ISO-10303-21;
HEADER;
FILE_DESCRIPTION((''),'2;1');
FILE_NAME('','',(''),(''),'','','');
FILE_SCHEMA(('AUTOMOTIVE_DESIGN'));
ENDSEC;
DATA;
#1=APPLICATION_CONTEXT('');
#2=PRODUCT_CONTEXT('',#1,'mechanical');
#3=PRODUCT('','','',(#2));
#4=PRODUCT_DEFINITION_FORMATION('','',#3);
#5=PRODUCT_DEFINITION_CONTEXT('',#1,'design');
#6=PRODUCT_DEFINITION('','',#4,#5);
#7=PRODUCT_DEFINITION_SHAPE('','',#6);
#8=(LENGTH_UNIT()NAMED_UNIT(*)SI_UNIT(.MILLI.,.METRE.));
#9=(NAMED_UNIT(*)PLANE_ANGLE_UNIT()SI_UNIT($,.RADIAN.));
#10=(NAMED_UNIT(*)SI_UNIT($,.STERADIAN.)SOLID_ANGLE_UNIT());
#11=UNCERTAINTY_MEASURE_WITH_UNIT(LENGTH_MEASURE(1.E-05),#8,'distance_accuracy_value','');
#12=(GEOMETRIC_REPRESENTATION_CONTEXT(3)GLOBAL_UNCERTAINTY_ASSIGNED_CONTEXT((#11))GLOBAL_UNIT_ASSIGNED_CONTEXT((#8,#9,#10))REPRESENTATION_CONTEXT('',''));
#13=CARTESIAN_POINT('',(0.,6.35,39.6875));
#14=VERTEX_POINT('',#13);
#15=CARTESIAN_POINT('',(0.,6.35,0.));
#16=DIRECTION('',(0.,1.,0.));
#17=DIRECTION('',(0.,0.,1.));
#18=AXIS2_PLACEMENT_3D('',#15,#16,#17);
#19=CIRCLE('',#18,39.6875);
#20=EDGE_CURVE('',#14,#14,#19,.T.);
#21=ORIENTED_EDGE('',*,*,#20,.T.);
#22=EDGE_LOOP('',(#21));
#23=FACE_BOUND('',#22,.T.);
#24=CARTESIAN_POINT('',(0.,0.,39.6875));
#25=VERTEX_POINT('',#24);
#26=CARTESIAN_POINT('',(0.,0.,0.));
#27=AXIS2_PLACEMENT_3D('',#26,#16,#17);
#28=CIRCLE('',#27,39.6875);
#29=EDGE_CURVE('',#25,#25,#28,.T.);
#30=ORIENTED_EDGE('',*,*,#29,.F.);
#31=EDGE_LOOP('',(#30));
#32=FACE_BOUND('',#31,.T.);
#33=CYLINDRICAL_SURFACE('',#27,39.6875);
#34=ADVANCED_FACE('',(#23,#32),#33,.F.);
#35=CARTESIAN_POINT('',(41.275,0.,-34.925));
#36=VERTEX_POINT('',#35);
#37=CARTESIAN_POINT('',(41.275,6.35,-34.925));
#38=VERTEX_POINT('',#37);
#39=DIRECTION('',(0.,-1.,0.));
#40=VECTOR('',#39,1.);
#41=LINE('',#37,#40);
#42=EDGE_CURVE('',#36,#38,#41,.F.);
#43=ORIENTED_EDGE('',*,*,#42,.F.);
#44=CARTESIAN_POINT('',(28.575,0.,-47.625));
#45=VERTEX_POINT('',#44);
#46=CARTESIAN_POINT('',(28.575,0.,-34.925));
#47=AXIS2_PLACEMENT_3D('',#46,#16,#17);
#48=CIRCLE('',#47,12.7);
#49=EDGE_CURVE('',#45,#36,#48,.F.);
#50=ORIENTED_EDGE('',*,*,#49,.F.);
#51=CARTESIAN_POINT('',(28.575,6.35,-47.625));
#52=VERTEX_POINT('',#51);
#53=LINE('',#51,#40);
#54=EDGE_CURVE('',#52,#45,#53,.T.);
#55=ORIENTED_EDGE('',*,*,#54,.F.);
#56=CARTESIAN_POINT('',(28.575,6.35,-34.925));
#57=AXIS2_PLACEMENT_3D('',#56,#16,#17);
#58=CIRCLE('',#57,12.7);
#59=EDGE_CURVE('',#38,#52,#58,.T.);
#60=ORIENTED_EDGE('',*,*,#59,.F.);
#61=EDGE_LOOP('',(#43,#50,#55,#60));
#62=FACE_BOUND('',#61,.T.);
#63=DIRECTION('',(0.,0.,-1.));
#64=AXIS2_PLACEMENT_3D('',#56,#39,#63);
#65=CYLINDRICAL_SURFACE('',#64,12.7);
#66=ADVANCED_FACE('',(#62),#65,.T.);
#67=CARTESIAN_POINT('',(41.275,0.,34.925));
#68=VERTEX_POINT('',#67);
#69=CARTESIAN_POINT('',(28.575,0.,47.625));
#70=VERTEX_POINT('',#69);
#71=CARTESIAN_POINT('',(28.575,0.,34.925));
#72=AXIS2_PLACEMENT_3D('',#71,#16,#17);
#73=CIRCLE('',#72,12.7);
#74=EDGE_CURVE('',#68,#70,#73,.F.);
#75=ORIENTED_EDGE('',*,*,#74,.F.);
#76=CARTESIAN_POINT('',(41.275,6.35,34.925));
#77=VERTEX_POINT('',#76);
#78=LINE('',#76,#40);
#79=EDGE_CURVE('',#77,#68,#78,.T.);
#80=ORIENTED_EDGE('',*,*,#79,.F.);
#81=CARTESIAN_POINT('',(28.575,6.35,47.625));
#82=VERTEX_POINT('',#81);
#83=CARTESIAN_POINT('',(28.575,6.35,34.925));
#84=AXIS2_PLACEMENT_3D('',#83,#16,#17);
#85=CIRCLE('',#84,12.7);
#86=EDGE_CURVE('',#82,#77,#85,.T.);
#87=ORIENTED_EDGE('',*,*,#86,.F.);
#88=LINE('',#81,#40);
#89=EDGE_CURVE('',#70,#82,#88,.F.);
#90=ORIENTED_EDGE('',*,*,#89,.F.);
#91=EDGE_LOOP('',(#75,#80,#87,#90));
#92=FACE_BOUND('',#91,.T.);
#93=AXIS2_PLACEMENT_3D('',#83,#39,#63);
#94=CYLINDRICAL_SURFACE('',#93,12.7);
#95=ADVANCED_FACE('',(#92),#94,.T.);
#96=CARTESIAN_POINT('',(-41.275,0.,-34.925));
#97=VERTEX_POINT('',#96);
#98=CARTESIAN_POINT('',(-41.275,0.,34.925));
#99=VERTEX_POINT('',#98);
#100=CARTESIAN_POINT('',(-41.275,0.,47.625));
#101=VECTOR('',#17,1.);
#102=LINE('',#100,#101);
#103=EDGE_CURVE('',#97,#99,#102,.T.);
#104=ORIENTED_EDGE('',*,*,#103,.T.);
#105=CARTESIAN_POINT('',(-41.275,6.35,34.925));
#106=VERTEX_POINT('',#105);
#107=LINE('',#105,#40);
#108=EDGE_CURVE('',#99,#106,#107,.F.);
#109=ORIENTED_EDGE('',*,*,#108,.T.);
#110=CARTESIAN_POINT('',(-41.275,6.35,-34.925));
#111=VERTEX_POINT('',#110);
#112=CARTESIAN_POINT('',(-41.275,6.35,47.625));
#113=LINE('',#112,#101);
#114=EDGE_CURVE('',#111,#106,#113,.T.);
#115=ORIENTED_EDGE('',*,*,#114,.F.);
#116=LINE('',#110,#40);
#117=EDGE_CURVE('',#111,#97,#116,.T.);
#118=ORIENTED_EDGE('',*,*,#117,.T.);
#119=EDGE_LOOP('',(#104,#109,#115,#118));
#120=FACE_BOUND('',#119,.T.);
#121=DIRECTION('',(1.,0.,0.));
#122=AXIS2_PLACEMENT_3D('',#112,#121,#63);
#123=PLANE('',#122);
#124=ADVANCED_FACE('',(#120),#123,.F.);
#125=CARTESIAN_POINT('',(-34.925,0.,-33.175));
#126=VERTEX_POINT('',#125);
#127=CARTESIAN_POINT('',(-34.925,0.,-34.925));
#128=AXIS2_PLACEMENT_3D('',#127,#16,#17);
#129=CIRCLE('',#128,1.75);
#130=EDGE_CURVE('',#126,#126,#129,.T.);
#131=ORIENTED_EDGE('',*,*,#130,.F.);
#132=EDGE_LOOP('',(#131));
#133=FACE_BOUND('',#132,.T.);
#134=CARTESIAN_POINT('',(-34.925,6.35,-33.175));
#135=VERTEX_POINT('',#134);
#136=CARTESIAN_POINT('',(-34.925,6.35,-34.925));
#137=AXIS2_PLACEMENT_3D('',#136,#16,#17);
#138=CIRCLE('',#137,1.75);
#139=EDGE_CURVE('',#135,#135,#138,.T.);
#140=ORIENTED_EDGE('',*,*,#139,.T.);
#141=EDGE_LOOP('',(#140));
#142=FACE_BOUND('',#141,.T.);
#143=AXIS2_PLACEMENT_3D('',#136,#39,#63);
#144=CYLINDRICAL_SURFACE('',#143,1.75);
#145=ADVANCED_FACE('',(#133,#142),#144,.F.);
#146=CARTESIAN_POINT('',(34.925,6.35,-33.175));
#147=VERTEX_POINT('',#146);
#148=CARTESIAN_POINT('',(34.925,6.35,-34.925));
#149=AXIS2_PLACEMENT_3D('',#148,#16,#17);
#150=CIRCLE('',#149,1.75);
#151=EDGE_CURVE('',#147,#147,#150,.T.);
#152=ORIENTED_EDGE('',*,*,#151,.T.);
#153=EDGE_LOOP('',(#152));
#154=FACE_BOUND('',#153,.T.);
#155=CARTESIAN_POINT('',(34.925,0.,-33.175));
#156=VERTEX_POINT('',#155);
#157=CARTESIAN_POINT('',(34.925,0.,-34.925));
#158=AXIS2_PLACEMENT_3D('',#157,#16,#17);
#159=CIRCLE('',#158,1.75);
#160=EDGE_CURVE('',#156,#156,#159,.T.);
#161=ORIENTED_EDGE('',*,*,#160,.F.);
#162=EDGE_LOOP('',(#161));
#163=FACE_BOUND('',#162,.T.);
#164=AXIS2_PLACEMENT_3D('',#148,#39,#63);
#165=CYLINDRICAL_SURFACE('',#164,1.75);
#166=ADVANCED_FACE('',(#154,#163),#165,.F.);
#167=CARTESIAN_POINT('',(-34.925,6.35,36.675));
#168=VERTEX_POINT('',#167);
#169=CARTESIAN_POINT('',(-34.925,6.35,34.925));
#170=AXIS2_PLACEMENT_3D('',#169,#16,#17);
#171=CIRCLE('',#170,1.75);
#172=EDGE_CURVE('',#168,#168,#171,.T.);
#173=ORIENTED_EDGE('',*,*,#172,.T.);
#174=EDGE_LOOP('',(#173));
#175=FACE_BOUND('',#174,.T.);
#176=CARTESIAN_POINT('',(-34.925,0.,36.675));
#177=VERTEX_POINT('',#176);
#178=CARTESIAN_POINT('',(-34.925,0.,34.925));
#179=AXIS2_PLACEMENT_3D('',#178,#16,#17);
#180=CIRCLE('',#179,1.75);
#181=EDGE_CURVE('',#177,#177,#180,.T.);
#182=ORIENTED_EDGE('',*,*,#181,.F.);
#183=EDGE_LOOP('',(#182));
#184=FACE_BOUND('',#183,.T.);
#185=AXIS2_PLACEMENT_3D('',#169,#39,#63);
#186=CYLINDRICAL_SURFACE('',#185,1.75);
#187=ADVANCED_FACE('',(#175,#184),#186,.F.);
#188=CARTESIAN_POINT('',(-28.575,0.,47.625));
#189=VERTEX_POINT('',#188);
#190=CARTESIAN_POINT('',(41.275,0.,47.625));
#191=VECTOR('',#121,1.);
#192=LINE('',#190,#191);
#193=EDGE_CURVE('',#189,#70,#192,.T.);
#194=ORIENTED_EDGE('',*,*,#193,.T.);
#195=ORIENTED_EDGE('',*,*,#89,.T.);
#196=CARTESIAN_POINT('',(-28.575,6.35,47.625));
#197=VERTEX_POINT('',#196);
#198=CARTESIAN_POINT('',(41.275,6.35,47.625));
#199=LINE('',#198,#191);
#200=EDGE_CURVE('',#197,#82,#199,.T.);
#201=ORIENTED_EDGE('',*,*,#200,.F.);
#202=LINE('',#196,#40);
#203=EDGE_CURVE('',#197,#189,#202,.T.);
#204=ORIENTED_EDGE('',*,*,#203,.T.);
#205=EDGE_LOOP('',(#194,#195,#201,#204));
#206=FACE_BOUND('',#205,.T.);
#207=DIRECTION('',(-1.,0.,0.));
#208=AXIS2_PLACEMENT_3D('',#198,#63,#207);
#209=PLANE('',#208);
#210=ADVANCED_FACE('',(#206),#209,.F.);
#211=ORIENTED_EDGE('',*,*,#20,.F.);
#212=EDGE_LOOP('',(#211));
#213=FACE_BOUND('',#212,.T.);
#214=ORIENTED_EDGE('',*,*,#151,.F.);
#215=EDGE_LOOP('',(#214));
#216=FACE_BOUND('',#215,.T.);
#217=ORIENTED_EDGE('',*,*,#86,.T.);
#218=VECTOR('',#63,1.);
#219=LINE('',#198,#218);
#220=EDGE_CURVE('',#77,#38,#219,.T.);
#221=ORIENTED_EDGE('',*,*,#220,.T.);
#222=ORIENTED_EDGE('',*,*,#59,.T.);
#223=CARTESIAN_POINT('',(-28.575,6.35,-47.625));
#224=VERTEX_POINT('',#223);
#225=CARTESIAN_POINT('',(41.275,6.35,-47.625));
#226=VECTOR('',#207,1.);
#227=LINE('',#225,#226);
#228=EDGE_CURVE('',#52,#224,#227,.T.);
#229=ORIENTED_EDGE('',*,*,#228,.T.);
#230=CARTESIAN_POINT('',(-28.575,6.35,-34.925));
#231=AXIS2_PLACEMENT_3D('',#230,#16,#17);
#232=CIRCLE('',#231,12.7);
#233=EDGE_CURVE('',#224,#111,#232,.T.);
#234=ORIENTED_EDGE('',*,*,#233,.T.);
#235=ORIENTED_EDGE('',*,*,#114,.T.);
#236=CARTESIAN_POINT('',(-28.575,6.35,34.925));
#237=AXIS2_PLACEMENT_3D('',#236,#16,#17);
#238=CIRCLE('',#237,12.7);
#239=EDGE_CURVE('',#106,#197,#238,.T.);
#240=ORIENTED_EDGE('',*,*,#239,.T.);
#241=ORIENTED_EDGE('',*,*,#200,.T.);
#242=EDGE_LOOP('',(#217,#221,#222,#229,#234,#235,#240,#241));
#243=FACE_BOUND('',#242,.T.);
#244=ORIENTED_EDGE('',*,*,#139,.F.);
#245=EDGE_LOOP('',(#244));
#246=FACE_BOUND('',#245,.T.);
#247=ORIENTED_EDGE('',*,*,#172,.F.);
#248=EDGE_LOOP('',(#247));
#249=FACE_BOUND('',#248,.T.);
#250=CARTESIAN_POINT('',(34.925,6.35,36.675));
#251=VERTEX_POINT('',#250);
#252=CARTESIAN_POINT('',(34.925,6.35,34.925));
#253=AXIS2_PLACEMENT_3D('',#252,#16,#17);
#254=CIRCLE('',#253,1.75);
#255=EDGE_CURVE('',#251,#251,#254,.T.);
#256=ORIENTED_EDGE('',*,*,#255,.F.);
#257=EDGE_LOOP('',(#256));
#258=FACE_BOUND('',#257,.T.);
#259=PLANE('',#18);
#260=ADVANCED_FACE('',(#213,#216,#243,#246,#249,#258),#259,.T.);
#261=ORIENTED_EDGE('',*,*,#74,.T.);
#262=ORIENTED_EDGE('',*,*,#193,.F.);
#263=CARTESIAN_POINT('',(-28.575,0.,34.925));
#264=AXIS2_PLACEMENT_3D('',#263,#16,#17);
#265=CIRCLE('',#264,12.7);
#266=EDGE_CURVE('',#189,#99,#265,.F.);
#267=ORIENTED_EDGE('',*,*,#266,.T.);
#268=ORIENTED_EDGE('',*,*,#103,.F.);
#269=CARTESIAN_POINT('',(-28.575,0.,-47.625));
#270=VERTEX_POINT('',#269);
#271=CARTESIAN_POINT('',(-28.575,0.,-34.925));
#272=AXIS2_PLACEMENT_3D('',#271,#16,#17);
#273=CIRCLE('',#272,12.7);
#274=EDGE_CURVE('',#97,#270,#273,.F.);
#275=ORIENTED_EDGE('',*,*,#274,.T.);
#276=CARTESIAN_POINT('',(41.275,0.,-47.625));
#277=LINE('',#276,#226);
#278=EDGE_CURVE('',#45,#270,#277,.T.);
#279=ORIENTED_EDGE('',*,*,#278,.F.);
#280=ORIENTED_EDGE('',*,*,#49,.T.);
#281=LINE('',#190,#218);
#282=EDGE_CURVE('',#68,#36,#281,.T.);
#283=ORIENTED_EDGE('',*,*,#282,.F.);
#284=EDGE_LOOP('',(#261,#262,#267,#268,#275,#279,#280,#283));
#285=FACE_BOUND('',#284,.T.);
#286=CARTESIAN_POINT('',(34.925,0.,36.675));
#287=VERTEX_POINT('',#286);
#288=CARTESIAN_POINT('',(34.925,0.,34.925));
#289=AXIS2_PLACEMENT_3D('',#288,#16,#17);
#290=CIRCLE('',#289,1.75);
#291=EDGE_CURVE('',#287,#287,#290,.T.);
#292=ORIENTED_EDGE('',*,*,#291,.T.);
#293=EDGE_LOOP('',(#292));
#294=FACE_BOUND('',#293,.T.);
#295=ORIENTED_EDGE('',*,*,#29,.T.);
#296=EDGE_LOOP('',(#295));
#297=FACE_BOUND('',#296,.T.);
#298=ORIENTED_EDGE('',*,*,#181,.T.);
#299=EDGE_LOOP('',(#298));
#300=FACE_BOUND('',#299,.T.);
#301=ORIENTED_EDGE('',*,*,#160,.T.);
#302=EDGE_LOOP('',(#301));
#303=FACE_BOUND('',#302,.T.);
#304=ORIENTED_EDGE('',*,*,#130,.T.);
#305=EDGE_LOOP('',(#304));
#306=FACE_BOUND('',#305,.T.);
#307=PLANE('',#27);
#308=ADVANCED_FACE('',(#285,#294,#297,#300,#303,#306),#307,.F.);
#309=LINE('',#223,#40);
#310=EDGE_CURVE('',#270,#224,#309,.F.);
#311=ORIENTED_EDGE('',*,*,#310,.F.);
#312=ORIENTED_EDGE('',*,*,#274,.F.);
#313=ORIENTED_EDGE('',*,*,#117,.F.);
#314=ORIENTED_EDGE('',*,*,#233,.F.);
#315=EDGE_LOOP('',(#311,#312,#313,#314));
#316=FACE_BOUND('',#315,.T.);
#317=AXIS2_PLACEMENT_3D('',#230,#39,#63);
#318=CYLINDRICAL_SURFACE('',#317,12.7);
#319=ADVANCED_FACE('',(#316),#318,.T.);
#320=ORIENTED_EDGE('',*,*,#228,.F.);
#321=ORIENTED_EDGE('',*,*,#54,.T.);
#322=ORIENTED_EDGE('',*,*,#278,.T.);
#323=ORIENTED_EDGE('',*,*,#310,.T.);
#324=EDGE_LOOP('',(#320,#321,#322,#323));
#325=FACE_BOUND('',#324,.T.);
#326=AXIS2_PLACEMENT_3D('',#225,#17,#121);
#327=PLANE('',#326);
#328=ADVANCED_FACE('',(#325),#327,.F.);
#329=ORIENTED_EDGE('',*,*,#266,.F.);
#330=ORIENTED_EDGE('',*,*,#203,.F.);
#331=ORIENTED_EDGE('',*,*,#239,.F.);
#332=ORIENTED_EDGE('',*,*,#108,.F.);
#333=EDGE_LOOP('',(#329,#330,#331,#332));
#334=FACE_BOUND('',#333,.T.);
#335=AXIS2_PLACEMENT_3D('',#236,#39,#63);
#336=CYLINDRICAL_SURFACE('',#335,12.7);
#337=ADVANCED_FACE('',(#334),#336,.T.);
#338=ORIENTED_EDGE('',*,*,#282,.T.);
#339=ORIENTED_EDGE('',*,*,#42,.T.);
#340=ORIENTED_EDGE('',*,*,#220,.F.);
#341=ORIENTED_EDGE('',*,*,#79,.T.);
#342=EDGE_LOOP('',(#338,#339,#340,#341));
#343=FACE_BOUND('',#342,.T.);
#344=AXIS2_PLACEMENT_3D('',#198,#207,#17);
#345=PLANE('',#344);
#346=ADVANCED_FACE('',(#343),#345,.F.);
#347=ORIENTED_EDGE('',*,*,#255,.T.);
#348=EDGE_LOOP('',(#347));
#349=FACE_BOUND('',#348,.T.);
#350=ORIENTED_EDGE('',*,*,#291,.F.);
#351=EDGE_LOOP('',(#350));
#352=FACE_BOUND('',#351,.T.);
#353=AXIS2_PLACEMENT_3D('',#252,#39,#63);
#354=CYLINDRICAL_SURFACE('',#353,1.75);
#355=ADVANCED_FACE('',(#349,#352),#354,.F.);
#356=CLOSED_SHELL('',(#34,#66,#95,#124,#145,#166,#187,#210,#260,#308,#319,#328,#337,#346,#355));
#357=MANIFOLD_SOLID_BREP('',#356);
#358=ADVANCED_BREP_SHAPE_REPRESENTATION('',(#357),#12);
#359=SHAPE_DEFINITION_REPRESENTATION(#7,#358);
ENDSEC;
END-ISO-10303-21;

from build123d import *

# Parameters (mm, degrees)
SKETCH1_W           = 82.55
SKETCH1_H           = 95.25
SKETCH1_R           = 38.1
SKETCH1_R_2         = 1.75
BOSS_EXTRUDE1_DEPTH = 6.35
FILLET1_R           = 12.7
SKETCH2_R           = 39.6875
SKETCH2_R_2         = 38.1
CUT_EXTRUDE1_DEPTH  = 7.35


with BuildPart() as part:
    # Sketch1 → Boss-Extrude1 (new body)
    with BuildSketch(Plane(origin=(0, 0, 0), x_dir=(1, 0, 0), z_dir=(0, 1, 0))):
        Rectangle(SKETCH1_W, SKETCH1_H)
        Circle(SKETCH1_R, mode=Mode.SUBTRACT)
        with Locations((-34.925, 34.925)):
            Circle(SKETCH1_R_2, mode=Mode.SUBTRACT)
        with Locations((-34.925, -34.925)):
            Circle(SKETCH1_R_2, mode=Mode.SUBTRACT)
        with Locations((34.925, -34.925)):
            Circle(SKETCH1_R_2, mode=Mode.SUBTRACT)
        with Locations((34.925, 34.925)):
            Circle(SKETCH1_R_2, mode=Mode.SUBTRACT)
    extrude(amount=BOSS_EXTRUDE1_DEPTH)

    # Fillet1
    fillet1_edges = [part.edges().sort_by_distance(p)[0] for p in [
        (-41.275, 3.175, -47.625),
        (41.275, 3.175, -47.625),
        (41.275, 3.175, 47.625),
        (-41.275, 3.175, 47.625),
    ]]
    fillet(fillet1_edges, radius=FILLET1_R)

    # Sketch2 → Cut-Extrude1 (cut, through all)
    with BuildSketch(Plane(origin=(0, 6.35, 0), x_dir=(1, 0, 0), z_dir=(0, 1, 0))):
        Circle(SKETCH2_R)
        Circle(SKETCH2_R_2, mode=Mode.SUBTRACT)
    extrude(amount=-CUT_EXTRUDE1_DEPTH, mode=Mode.SUBTRACT)


solid = part.part
